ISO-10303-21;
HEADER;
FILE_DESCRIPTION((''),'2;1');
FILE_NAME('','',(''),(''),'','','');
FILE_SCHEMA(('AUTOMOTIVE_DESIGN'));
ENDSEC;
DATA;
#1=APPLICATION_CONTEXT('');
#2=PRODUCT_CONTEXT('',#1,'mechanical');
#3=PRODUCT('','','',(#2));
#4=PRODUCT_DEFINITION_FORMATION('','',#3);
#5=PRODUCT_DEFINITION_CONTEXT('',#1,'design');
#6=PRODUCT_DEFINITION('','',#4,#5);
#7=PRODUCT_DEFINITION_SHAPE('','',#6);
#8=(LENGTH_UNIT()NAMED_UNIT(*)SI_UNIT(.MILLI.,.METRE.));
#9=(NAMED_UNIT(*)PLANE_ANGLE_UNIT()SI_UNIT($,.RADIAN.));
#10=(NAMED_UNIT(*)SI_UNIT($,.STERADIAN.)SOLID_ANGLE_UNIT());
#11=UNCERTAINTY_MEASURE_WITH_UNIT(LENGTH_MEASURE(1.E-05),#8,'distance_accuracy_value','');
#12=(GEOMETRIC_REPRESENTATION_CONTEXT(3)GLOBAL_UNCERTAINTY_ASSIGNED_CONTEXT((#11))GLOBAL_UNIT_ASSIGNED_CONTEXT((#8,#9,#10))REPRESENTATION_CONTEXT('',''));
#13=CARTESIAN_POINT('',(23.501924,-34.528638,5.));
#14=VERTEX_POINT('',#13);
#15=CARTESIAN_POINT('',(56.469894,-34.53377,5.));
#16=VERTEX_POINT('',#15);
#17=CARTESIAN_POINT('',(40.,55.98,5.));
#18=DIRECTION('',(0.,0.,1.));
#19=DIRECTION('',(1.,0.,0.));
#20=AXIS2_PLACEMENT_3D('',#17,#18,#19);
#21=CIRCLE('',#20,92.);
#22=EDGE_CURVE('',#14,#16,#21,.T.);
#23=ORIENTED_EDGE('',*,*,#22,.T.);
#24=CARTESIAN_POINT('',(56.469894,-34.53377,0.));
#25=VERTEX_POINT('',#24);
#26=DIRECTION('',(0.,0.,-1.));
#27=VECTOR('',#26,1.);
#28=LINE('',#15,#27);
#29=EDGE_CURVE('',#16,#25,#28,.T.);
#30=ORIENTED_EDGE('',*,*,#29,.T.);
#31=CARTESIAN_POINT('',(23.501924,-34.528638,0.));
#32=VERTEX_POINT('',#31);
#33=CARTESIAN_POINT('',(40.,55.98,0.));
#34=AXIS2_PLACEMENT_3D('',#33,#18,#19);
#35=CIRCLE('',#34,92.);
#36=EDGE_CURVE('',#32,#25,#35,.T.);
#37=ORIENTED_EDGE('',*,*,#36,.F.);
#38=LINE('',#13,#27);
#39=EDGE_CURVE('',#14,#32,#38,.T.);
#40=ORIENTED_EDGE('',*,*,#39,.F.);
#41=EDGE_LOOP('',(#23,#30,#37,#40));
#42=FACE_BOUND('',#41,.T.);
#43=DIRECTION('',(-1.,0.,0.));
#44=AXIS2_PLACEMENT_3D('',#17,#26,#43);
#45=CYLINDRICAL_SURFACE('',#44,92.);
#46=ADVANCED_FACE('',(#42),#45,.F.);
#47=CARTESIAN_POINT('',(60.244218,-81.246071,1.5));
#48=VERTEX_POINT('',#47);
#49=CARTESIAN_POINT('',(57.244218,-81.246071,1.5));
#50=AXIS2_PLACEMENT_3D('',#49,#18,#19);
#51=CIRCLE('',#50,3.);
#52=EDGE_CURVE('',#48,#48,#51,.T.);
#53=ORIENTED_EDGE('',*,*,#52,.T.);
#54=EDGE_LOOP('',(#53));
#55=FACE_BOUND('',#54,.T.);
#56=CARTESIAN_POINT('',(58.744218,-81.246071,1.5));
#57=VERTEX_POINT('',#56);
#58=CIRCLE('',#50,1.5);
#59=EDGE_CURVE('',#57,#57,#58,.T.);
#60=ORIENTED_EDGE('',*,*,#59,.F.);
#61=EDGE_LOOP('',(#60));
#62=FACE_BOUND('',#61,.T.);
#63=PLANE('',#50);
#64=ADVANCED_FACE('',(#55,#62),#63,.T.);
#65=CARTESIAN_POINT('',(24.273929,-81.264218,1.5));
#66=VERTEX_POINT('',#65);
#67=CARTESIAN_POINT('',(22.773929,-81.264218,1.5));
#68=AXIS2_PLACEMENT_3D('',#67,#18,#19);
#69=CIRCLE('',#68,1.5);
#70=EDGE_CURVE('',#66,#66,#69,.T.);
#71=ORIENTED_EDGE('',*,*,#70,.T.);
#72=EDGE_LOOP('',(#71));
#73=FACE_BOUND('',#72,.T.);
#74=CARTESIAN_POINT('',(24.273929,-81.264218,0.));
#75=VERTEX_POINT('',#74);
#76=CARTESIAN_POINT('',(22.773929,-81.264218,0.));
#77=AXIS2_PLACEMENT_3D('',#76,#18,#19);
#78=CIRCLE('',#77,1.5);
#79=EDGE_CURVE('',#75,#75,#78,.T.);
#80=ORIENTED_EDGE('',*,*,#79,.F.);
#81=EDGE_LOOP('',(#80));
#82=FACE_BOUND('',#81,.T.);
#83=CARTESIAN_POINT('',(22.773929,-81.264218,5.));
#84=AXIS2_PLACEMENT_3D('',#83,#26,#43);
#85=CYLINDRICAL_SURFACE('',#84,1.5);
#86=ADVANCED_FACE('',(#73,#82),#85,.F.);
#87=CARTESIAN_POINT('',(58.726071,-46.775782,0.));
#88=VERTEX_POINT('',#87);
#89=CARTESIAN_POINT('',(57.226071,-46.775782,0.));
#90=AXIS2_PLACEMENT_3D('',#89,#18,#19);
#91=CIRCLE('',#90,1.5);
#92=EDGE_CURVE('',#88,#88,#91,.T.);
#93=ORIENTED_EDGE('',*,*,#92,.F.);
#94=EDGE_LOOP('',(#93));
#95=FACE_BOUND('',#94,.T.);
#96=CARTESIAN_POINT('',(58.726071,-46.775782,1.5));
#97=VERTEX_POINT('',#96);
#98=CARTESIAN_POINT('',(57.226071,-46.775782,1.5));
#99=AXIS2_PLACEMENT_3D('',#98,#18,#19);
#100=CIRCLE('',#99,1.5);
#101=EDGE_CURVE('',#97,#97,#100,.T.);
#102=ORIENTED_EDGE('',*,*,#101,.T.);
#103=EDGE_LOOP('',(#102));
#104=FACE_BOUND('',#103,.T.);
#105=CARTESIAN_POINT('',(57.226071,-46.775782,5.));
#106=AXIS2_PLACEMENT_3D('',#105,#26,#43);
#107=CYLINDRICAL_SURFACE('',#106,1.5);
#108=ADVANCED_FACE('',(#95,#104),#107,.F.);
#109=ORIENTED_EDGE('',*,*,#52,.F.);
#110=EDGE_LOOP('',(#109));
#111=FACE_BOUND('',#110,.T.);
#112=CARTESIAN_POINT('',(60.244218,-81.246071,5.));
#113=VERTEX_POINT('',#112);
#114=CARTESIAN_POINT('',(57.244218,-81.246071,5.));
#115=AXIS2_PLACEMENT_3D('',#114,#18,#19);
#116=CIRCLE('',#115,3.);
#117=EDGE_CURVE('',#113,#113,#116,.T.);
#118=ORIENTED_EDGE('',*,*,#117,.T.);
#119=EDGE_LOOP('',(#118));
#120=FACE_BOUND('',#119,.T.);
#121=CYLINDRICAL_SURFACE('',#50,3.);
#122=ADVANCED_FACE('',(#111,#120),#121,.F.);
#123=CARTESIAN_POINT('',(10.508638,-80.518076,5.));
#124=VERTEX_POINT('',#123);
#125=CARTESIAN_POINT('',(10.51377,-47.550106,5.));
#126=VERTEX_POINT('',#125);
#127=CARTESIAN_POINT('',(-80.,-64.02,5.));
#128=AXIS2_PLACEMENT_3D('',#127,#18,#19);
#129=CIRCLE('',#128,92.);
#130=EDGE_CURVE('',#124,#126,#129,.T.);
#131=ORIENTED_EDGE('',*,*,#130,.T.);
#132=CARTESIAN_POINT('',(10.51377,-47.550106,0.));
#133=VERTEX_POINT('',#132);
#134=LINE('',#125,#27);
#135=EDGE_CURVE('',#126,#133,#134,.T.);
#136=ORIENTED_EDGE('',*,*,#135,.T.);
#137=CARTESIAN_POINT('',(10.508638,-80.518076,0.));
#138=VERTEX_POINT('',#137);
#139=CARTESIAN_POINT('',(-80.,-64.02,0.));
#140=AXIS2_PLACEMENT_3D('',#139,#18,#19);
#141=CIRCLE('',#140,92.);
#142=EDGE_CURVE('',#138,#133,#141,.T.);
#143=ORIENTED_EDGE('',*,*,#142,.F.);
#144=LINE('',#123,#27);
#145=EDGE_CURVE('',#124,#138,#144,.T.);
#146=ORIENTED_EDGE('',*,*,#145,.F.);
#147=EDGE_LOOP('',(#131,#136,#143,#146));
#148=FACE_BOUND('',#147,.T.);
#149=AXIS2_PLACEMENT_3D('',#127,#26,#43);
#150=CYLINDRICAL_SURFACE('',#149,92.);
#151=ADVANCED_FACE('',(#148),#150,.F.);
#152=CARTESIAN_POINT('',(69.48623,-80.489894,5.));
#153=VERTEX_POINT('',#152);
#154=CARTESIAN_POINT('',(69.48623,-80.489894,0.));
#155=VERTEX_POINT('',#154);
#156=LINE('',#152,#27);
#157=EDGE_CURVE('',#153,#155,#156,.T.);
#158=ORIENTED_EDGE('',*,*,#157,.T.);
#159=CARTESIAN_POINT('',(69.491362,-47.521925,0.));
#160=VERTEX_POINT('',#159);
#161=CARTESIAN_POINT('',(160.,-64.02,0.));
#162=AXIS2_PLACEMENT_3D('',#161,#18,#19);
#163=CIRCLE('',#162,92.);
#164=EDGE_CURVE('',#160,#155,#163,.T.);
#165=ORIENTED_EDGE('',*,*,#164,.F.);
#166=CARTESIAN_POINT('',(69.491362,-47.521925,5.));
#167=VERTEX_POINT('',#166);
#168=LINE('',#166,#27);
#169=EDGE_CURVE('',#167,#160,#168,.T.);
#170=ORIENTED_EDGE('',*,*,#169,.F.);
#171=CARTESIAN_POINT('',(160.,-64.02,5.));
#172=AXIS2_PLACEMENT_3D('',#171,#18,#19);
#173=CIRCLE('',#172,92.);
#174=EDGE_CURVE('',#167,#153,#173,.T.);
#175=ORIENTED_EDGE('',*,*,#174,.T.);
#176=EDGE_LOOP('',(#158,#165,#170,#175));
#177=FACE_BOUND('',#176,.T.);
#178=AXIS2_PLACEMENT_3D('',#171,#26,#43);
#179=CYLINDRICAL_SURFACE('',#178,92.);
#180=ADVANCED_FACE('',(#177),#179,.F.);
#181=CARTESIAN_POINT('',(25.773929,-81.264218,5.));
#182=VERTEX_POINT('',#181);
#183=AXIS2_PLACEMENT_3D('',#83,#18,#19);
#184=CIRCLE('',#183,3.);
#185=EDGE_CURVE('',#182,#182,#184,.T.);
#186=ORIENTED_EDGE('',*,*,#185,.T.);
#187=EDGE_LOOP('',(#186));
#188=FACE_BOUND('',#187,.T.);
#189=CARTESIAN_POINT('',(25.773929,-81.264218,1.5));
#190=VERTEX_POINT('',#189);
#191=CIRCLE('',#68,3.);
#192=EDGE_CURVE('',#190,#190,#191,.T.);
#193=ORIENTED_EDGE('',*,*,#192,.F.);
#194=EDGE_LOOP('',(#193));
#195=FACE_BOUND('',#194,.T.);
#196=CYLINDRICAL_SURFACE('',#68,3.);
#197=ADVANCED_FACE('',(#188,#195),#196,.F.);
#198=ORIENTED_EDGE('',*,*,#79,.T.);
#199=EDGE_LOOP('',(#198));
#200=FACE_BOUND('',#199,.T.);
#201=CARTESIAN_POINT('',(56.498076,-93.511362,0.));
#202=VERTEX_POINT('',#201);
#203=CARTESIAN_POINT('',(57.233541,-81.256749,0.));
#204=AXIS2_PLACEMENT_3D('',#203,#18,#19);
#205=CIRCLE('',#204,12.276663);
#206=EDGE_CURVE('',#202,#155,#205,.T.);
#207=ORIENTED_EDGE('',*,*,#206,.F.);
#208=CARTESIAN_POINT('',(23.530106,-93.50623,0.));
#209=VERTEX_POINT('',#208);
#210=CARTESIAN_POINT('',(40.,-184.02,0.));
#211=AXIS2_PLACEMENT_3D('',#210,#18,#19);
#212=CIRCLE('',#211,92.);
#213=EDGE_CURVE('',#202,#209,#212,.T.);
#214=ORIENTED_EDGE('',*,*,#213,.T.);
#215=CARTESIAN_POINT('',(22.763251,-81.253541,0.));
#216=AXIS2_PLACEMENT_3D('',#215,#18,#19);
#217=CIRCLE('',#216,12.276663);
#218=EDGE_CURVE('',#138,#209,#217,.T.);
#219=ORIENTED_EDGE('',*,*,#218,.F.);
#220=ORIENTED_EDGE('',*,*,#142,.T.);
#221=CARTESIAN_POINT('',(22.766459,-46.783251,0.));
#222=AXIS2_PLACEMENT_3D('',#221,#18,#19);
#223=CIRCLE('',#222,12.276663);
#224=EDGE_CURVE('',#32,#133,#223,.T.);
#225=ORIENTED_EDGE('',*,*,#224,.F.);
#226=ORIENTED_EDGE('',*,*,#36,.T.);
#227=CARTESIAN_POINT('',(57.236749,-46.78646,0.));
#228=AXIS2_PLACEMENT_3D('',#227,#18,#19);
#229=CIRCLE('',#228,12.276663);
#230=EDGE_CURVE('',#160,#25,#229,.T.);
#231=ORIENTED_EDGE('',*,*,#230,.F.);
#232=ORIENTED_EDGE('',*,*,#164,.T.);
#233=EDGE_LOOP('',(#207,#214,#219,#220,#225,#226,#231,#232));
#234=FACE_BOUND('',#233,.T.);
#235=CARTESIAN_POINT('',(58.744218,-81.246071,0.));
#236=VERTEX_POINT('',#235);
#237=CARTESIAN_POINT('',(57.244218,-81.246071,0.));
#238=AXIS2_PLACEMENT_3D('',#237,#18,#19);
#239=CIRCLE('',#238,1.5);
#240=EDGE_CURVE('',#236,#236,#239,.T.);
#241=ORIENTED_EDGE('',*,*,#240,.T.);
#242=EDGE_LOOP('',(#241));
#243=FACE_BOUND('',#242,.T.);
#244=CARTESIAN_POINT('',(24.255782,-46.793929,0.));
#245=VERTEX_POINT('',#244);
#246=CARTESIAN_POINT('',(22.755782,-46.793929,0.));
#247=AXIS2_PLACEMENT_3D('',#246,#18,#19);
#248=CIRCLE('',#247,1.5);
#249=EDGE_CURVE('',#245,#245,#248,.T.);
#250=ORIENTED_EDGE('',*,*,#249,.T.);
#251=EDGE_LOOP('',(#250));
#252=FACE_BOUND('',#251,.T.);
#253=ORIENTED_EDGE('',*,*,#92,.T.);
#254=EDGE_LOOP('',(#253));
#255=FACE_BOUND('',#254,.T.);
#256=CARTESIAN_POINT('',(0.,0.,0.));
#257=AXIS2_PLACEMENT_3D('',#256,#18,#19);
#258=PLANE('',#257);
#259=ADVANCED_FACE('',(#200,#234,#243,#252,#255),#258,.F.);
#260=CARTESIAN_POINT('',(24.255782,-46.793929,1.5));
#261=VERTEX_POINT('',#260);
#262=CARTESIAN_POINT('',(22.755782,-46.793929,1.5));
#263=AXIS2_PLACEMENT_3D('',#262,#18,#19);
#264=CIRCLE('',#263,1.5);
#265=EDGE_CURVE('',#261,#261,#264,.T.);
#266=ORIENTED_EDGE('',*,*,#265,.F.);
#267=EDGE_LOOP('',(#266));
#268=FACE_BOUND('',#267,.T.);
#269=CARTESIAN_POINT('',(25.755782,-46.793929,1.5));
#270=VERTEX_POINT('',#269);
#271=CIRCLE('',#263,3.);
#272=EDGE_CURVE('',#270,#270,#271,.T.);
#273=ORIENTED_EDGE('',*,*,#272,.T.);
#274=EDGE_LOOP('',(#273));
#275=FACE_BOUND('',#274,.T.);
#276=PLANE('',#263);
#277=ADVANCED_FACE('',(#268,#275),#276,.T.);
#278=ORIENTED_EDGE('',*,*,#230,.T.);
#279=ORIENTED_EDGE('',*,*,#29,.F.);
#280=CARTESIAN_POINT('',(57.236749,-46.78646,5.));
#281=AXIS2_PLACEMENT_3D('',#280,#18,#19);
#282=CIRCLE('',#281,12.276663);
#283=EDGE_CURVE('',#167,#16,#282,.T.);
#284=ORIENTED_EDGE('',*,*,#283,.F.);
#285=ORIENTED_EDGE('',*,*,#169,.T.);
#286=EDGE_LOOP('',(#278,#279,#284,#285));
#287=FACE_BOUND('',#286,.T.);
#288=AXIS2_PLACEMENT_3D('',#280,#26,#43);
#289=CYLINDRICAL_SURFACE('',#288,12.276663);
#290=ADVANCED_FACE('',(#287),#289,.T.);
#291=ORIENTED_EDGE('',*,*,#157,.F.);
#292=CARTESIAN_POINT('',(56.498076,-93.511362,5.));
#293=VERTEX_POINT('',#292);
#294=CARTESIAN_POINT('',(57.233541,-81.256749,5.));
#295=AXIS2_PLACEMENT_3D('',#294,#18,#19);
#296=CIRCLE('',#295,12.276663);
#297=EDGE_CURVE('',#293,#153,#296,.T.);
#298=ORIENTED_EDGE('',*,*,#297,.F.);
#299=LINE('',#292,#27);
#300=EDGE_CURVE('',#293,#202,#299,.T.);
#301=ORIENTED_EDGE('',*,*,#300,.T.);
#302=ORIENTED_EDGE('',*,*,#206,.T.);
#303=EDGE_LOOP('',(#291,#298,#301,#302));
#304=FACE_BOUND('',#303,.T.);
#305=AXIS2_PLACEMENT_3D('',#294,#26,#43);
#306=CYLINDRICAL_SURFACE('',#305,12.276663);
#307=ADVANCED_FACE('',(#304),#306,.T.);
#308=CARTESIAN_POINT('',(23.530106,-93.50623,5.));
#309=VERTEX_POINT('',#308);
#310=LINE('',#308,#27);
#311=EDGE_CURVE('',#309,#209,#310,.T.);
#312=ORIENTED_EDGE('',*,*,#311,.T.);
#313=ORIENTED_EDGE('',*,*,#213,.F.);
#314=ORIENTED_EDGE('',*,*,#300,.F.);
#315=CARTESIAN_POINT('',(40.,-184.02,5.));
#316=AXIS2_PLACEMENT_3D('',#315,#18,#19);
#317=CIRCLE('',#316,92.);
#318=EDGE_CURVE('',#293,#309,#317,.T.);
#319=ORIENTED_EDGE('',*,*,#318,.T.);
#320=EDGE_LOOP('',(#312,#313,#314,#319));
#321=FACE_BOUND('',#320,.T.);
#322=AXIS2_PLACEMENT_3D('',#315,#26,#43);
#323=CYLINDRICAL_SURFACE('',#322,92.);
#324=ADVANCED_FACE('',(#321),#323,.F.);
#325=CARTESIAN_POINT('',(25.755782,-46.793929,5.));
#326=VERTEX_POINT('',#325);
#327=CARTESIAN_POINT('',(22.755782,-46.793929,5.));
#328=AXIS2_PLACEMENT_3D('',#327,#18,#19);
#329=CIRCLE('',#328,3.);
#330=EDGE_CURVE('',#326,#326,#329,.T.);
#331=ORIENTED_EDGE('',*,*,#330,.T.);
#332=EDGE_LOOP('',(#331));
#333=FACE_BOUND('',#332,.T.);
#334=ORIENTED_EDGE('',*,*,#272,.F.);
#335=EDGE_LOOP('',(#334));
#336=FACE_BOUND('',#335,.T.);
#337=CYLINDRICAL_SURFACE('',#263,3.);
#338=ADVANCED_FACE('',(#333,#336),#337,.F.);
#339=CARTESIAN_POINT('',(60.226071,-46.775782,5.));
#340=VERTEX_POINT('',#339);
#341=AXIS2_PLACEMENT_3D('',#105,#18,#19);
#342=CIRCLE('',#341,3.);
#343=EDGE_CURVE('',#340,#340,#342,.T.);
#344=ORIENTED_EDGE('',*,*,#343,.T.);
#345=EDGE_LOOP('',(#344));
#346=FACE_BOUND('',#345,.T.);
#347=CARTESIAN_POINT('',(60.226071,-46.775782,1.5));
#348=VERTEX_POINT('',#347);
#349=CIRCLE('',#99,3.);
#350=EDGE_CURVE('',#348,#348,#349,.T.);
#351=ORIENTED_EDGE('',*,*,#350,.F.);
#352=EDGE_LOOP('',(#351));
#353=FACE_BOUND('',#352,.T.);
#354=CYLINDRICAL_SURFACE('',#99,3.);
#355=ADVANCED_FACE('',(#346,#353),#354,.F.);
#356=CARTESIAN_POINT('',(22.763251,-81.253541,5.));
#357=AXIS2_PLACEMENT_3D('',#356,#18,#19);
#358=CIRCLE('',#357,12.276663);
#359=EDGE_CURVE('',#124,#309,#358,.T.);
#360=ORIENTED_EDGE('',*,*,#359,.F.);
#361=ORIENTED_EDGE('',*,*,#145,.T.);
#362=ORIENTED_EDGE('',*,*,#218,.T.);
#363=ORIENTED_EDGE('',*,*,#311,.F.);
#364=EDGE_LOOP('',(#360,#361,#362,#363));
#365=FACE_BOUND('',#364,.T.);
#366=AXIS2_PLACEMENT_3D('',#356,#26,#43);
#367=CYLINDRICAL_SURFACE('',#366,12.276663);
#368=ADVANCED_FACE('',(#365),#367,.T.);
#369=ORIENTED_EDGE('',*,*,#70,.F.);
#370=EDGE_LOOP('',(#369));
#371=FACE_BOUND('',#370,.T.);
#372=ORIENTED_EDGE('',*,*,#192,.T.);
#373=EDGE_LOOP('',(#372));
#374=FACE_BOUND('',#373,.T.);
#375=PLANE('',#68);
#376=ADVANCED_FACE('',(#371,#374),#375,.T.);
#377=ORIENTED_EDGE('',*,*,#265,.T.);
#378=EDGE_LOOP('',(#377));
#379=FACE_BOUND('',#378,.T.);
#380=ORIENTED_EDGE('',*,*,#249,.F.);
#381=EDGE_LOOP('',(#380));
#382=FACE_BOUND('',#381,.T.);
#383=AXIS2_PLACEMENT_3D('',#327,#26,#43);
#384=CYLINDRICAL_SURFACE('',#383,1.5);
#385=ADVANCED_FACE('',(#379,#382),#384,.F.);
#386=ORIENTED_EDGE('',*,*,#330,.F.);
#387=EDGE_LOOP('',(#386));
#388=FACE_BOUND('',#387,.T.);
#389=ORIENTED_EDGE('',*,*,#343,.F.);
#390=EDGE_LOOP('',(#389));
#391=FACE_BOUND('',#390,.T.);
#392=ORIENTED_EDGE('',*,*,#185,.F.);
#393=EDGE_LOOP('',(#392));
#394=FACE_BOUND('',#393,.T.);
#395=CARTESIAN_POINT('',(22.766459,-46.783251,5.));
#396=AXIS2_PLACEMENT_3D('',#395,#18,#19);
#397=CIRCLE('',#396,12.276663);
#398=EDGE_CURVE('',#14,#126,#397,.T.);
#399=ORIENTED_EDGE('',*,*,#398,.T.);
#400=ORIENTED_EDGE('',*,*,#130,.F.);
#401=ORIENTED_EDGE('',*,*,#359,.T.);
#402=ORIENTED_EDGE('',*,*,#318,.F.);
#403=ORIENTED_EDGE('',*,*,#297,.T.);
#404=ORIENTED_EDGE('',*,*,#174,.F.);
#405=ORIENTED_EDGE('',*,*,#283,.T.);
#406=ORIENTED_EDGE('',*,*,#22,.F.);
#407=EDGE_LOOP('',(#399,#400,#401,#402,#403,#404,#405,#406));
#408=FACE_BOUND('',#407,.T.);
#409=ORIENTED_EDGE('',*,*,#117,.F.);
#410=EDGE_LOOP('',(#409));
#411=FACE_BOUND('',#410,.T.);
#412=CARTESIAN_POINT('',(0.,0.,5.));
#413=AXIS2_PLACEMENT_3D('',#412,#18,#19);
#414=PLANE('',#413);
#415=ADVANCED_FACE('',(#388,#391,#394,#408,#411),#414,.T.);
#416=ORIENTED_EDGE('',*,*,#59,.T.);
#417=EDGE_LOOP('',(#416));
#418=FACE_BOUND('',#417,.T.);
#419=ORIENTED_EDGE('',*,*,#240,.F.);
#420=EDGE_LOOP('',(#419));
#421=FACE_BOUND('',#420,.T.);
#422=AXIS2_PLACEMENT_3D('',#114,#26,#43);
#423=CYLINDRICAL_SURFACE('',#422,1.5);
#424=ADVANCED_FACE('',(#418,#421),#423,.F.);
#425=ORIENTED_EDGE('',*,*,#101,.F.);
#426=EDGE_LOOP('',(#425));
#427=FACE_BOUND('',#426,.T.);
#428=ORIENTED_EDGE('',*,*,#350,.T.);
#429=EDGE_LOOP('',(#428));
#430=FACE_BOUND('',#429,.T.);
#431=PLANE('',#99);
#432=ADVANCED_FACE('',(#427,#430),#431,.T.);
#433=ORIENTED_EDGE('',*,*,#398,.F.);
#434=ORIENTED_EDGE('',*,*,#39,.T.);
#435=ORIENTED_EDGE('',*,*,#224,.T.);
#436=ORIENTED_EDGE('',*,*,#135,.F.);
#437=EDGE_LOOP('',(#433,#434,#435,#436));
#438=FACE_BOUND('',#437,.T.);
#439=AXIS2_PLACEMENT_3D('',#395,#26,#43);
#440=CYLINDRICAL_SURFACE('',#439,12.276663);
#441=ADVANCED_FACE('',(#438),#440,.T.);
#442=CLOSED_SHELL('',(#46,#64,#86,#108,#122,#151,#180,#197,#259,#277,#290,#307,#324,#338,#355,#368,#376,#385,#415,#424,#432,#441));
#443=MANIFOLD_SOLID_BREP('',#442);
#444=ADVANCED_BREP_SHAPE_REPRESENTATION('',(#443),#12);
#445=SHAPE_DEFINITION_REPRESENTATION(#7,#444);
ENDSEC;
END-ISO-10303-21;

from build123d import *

# Parameters (mm, degrees)
SKETCH1_R           = 1.5
BOSS_EXTRUDE1_DEPTH = 5
SKETCH2_R           = 3
CUT_EXTRUDE2_DEPTH  = 3.5


with BuildPart() as part:
    # Sketch1 → Boss-Extrude1 (new body)
    with BuildSketch(Plane.XY):
        with BuildLine():
            ThreePointArc((23.501924453, -34.528637882), (39.985677368, -36.01999904), (56.469893836, -34.533770361))
            ThreePointArc((56.469893836, -34.533770361), (65.906534639, -38.094436046), (69.491362273, -47.521924608))
            ThreePointArc((69.491362273, -47.521924608), (68.000001115, -64.005677523), (69.486229793, -80.489893991))
            ThreePointArc((69.486229793, -80.489893991), (65.925564109, -89.926534793), (56.498075547, -93.511362427))
            ThreePointArc((56.498075547, -93.511362427), (40.014322632, -92.02000127), (23.530106164, -93.506229948))
            ThreePointArc((23.530106164, -93.506229948), (14.093465361, -89.945564264), (10.508637727, -80.518075701))
            ThreePointArc((10.508637727, -80.518075701), (11.999998885, -64.034322787), (10.513770207, -47.550106319))
            ThreePointArc((10.513770207, -47.550106319), (14.074435891, -38.113465516), (23.501924453, -34.528637882))
        make_face()
        with Locations((22.755781837, -46.793928993)):
            Circle(SKETCH1_R, mode=Mode.SUBTRACT)
        with Locations((57.226071162, -46.775781992)):
            Circle(SKETCH1_R, mode=Mode.SUBTRACT)
        with Locations((57.244218163, -81.246071317)):
            Circle(SKETCH1_R, mode=Mode.SUBTRACT)
        with Locations((22.773928838, -81.264218317)):
            Circle(SKETCH1_R, mode=Mode.SUBTRACT)
    extrude(amount=BOSS_EXTRUDE1_DEPTH)

    # Sketch2 → Cut-Extrude2 (cut)
    with BuildSketch(Plane.XY.offset(5)):
        with Locations((22.755781837, -46.793928993)):
            Circle(SKETCH2_R)
        with Locations((57.226071162, -46.775781992)):
            Circle(SKETCH2_R)
        with Locations((57.244218163, -81.246071317)):
            Circle(SKETCH2_R)
        with Locations((22.773928838, -81.264218317)):
            Circle(SKETCH2_R)
    extrude(amount=-CUT_EXTRUDE2_DEPTH, mode=Mode.SUBTRACT)


solid = part.part
